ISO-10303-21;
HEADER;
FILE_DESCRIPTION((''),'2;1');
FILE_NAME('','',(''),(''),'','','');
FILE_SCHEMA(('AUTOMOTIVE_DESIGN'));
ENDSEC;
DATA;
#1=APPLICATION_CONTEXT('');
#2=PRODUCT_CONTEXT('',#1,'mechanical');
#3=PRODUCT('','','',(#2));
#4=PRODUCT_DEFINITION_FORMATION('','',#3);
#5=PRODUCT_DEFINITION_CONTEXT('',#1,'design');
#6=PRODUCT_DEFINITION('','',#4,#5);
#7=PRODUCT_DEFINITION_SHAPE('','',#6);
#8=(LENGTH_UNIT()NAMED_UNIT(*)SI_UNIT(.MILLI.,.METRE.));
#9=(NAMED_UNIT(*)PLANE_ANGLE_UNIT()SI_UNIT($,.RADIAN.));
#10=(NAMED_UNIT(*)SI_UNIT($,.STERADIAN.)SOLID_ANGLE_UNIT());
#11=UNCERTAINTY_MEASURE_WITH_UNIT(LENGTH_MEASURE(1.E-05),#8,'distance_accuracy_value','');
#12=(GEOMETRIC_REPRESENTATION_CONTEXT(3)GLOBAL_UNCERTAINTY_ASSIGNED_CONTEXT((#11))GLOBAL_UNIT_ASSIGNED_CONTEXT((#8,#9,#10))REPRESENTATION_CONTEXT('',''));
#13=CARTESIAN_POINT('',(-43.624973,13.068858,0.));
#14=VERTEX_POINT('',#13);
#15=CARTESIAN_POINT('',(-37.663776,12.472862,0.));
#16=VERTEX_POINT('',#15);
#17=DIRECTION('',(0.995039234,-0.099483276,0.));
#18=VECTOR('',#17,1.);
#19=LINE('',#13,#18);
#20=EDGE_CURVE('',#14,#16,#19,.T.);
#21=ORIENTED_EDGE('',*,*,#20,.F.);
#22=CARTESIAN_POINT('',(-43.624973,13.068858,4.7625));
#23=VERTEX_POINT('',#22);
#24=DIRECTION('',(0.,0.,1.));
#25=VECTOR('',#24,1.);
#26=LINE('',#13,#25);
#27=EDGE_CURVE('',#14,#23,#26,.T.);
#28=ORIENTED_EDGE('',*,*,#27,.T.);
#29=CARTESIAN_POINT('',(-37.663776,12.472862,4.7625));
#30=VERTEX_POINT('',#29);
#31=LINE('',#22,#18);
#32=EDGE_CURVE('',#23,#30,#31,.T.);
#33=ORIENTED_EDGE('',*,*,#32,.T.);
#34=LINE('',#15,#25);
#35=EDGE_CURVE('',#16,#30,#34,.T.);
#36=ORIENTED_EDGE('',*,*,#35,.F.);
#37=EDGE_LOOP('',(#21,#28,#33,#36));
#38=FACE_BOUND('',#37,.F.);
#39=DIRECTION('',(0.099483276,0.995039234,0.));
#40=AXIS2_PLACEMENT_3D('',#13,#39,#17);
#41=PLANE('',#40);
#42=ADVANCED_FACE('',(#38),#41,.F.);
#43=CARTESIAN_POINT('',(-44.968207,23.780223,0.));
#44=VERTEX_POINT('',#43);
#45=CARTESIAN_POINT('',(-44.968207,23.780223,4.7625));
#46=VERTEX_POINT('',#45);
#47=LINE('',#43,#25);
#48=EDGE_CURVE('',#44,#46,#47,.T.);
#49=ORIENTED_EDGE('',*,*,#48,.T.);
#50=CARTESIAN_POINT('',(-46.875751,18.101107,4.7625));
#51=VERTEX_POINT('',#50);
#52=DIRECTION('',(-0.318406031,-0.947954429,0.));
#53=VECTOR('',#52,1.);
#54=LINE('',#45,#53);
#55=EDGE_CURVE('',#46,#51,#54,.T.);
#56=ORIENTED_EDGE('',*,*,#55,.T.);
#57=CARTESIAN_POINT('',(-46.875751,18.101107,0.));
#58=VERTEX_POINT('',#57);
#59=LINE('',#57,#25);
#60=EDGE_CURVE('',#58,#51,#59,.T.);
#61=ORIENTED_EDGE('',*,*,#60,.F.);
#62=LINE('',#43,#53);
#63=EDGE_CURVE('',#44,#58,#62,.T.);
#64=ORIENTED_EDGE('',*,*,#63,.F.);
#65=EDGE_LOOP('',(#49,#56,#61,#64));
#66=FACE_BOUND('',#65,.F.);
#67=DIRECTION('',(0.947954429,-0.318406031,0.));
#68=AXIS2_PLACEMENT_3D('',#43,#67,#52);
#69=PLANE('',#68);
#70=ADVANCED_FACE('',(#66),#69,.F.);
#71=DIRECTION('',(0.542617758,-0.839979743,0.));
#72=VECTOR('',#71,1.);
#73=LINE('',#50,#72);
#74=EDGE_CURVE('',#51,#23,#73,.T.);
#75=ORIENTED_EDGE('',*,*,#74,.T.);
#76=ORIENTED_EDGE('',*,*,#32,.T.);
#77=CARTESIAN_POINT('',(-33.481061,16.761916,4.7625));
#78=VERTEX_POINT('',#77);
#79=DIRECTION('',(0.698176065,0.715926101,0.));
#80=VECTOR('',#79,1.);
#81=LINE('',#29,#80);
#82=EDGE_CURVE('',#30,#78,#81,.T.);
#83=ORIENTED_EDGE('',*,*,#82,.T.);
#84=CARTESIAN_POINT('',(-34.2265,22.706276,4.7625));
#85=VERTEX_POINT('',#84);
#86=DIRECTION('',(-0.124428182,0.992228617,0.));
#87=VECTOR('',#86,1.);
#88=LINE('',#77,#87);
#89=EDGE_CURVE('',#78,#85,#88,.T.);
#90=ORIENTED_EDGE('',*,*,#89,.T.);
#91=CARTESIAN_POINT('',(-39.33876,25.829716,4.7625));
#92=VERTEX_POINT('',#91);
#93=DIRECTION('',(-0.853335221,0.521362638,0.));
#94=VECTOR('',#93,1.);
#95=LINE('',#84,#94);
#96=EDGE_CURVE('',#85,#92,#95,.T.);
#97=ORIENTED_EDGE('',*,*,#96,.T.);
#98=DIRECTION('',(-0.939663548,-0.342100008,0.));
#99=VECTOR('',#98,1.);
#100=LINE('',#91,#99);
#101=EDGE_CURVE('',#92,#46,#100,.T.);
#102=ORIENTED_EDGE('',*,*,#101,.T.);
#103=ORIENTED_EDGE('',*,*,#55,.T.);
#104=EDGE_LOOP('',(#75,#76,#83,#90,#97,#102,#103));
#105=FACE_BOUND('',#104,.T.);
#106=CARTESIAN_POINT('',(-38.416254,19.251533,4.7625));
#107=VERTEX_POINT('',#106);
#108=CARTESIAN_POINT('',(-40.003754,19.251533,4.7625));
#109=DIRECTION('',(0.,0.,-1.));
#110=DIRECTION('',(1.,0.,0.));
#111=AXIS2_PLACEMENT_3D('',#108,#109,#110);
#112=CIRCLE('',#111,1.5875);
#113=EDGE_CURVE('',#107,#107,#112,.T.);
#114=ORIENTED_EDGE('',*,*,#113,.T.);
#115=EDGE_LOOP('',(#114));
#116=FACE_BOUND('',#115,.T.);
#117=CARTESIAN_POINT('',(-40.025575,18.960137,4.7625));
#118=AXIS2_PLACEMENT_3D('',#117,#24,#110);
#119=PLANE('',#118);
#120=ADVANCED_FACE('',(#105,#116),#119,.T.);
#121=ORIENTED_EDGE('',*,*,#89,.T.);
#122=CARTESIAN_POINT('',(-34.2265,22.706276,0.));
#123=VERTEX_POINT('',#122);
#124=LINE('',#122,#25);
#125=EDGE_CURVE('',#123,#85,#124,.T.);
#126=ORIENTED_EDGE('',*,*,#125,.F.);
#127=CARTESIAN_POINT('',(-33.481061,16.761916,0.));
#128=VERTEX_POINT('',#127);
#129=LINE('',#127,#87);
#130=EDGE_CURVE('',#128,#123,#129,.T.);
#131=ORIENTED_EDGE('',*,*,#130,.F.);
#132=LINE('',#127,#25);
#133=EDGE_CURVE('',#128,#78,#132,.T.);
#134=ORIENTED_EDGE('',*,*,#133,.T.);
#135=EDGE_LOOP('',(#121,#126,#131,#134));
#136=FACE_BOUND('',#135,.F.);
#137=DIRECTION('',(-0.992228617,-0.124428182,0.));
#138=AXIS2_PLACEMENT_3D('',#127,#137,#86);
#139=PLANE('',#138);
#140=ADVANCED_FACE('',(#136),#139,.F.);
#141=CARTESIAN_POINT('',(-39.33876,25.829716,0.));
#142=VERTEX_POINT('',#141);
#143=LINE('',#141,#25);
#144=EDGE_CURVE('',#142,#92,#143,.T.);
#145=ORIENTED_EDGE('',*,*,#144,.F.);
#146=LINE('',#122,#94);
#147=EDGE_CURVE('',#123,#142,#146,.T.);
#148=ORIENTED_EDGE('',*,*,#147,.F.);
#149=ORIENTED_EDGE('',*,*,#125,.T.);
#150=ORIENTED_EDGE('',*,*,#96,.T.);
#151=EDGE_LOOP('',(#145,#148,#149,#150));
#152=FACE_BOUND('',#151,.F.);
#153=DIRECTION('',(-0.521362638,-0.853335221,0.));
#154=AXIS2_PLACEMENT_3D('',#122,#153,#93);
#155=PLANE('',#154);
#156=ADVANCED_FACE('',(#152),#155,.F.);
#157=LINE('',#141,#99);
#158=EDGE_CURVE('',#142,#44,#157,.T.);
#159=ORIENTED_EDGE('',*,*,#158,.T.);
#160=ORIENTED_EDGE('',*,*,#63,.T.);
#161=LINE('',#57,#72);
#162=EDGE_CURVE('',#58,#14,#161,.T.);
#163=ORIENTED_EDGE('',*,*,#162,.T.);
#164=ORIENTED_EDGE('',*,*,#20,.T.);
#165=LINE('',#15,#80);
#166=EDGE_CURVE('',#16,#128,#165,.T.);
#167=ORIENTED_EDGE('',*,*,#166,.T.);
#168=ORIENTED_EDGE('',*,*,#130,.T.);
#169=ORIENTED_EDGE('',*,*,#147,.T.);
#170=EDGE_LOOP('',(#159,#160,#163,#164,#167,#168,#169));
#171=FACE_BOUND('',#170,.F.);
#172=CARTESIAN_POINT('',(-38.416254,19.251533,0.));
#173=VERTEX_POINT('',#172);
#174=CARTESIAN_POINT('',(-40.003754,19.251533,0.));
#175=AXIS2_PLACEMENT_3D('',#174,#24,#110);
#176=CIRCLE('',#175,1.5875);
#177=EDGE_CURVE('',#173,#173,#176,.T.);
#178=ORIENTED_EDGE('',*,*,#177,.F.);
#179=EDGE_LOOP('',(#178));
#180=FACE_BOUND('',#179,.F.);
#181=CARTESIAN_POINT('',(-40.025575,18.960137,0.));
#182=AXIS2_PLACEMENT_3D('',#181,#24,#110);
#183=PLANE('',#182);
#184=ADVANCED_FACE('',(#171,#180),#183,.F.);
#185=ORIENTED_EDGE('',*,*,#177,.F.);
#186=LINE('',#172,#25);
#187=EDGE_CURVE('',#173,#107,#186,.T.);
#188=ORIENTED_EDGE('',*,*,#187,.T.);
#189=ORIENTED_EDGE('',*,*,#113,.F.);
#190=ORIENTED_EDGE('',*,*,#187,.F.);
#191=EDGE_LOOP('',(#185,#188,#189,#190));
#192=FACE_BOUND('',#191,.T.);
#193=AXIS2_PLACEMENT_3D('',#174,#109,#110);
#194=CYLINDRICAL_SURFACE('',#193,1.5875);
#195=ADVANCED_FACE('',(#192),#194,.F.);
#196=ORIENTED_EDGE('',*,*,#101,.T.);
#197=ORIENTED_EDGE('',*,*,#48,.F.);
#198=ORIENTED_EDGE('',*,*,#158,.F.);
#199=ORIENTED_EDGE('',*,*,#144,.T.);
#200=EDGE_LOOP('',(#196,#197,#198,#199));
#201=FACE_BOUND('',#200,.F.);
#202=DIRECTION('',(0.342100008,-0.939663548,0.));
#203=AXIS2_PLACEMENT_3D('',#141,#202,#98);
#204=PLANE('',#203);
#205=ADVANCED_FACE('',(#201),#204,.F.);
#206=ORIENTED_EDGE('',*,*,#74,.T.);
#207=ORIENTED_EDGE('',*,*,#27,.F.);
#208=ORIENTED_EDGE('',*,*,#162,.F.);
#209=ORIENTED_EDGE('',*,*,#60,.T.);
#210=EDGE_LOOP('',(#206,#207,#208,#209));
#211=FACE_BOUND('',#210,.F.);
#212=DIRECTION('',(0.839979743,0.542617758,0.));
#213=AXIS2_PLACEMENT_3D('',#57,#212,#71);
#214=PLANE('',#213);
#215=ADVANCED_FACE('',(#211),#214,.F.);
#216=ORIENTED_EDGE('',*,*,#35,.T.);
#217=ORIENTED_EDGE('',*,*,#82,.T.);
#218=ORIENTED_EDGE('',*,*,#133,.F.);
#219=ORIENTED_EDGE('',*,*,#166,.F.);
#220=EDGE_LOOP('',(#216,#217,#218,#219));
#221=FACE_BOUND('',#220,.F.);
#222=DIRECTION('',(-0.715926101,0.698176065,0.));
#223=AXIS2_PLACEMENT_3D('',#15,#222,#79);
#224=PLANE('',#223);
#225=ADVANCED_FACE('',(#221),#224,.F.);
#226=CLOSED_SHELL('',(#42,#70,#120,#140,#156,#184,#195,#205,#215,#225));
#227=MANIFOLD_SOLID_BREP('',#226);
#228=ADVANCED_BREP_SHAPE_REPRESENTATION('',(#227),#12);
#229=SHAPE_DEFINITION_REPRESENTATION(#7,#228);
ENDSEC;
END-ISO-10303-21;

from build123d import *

# Parameters (mm, degrees)
F2_DEPTH = 4.7625
F3_R     = 1.5875
F4_DEPTH = 18.034


with BuildPart() as f2:
    # F0 (on Top) → F2 (new body)
    with BuildSketch(Plane.XY):
        Polygon((-37.663776, 12.472862), (-33.481061, 16.761916), (-34.2265, 22.706276), (-39.33876, 25.829716), (-44.968207, 23.780223), (-46.875751, 18.101107), (-43.624973, 13.068858), align=None)
    extrude(amount=F2_DEPTH)

    # F3 (on Top) → F4 (cut)
    with BuildSketch(Plane.XY):
        with Locations((-40.003754, 19.251533)):
            Circle(F3_R)
    extrude(amount=F4_DEPTH, mode=Mode.SUBTRACT)


solid = f2.part
